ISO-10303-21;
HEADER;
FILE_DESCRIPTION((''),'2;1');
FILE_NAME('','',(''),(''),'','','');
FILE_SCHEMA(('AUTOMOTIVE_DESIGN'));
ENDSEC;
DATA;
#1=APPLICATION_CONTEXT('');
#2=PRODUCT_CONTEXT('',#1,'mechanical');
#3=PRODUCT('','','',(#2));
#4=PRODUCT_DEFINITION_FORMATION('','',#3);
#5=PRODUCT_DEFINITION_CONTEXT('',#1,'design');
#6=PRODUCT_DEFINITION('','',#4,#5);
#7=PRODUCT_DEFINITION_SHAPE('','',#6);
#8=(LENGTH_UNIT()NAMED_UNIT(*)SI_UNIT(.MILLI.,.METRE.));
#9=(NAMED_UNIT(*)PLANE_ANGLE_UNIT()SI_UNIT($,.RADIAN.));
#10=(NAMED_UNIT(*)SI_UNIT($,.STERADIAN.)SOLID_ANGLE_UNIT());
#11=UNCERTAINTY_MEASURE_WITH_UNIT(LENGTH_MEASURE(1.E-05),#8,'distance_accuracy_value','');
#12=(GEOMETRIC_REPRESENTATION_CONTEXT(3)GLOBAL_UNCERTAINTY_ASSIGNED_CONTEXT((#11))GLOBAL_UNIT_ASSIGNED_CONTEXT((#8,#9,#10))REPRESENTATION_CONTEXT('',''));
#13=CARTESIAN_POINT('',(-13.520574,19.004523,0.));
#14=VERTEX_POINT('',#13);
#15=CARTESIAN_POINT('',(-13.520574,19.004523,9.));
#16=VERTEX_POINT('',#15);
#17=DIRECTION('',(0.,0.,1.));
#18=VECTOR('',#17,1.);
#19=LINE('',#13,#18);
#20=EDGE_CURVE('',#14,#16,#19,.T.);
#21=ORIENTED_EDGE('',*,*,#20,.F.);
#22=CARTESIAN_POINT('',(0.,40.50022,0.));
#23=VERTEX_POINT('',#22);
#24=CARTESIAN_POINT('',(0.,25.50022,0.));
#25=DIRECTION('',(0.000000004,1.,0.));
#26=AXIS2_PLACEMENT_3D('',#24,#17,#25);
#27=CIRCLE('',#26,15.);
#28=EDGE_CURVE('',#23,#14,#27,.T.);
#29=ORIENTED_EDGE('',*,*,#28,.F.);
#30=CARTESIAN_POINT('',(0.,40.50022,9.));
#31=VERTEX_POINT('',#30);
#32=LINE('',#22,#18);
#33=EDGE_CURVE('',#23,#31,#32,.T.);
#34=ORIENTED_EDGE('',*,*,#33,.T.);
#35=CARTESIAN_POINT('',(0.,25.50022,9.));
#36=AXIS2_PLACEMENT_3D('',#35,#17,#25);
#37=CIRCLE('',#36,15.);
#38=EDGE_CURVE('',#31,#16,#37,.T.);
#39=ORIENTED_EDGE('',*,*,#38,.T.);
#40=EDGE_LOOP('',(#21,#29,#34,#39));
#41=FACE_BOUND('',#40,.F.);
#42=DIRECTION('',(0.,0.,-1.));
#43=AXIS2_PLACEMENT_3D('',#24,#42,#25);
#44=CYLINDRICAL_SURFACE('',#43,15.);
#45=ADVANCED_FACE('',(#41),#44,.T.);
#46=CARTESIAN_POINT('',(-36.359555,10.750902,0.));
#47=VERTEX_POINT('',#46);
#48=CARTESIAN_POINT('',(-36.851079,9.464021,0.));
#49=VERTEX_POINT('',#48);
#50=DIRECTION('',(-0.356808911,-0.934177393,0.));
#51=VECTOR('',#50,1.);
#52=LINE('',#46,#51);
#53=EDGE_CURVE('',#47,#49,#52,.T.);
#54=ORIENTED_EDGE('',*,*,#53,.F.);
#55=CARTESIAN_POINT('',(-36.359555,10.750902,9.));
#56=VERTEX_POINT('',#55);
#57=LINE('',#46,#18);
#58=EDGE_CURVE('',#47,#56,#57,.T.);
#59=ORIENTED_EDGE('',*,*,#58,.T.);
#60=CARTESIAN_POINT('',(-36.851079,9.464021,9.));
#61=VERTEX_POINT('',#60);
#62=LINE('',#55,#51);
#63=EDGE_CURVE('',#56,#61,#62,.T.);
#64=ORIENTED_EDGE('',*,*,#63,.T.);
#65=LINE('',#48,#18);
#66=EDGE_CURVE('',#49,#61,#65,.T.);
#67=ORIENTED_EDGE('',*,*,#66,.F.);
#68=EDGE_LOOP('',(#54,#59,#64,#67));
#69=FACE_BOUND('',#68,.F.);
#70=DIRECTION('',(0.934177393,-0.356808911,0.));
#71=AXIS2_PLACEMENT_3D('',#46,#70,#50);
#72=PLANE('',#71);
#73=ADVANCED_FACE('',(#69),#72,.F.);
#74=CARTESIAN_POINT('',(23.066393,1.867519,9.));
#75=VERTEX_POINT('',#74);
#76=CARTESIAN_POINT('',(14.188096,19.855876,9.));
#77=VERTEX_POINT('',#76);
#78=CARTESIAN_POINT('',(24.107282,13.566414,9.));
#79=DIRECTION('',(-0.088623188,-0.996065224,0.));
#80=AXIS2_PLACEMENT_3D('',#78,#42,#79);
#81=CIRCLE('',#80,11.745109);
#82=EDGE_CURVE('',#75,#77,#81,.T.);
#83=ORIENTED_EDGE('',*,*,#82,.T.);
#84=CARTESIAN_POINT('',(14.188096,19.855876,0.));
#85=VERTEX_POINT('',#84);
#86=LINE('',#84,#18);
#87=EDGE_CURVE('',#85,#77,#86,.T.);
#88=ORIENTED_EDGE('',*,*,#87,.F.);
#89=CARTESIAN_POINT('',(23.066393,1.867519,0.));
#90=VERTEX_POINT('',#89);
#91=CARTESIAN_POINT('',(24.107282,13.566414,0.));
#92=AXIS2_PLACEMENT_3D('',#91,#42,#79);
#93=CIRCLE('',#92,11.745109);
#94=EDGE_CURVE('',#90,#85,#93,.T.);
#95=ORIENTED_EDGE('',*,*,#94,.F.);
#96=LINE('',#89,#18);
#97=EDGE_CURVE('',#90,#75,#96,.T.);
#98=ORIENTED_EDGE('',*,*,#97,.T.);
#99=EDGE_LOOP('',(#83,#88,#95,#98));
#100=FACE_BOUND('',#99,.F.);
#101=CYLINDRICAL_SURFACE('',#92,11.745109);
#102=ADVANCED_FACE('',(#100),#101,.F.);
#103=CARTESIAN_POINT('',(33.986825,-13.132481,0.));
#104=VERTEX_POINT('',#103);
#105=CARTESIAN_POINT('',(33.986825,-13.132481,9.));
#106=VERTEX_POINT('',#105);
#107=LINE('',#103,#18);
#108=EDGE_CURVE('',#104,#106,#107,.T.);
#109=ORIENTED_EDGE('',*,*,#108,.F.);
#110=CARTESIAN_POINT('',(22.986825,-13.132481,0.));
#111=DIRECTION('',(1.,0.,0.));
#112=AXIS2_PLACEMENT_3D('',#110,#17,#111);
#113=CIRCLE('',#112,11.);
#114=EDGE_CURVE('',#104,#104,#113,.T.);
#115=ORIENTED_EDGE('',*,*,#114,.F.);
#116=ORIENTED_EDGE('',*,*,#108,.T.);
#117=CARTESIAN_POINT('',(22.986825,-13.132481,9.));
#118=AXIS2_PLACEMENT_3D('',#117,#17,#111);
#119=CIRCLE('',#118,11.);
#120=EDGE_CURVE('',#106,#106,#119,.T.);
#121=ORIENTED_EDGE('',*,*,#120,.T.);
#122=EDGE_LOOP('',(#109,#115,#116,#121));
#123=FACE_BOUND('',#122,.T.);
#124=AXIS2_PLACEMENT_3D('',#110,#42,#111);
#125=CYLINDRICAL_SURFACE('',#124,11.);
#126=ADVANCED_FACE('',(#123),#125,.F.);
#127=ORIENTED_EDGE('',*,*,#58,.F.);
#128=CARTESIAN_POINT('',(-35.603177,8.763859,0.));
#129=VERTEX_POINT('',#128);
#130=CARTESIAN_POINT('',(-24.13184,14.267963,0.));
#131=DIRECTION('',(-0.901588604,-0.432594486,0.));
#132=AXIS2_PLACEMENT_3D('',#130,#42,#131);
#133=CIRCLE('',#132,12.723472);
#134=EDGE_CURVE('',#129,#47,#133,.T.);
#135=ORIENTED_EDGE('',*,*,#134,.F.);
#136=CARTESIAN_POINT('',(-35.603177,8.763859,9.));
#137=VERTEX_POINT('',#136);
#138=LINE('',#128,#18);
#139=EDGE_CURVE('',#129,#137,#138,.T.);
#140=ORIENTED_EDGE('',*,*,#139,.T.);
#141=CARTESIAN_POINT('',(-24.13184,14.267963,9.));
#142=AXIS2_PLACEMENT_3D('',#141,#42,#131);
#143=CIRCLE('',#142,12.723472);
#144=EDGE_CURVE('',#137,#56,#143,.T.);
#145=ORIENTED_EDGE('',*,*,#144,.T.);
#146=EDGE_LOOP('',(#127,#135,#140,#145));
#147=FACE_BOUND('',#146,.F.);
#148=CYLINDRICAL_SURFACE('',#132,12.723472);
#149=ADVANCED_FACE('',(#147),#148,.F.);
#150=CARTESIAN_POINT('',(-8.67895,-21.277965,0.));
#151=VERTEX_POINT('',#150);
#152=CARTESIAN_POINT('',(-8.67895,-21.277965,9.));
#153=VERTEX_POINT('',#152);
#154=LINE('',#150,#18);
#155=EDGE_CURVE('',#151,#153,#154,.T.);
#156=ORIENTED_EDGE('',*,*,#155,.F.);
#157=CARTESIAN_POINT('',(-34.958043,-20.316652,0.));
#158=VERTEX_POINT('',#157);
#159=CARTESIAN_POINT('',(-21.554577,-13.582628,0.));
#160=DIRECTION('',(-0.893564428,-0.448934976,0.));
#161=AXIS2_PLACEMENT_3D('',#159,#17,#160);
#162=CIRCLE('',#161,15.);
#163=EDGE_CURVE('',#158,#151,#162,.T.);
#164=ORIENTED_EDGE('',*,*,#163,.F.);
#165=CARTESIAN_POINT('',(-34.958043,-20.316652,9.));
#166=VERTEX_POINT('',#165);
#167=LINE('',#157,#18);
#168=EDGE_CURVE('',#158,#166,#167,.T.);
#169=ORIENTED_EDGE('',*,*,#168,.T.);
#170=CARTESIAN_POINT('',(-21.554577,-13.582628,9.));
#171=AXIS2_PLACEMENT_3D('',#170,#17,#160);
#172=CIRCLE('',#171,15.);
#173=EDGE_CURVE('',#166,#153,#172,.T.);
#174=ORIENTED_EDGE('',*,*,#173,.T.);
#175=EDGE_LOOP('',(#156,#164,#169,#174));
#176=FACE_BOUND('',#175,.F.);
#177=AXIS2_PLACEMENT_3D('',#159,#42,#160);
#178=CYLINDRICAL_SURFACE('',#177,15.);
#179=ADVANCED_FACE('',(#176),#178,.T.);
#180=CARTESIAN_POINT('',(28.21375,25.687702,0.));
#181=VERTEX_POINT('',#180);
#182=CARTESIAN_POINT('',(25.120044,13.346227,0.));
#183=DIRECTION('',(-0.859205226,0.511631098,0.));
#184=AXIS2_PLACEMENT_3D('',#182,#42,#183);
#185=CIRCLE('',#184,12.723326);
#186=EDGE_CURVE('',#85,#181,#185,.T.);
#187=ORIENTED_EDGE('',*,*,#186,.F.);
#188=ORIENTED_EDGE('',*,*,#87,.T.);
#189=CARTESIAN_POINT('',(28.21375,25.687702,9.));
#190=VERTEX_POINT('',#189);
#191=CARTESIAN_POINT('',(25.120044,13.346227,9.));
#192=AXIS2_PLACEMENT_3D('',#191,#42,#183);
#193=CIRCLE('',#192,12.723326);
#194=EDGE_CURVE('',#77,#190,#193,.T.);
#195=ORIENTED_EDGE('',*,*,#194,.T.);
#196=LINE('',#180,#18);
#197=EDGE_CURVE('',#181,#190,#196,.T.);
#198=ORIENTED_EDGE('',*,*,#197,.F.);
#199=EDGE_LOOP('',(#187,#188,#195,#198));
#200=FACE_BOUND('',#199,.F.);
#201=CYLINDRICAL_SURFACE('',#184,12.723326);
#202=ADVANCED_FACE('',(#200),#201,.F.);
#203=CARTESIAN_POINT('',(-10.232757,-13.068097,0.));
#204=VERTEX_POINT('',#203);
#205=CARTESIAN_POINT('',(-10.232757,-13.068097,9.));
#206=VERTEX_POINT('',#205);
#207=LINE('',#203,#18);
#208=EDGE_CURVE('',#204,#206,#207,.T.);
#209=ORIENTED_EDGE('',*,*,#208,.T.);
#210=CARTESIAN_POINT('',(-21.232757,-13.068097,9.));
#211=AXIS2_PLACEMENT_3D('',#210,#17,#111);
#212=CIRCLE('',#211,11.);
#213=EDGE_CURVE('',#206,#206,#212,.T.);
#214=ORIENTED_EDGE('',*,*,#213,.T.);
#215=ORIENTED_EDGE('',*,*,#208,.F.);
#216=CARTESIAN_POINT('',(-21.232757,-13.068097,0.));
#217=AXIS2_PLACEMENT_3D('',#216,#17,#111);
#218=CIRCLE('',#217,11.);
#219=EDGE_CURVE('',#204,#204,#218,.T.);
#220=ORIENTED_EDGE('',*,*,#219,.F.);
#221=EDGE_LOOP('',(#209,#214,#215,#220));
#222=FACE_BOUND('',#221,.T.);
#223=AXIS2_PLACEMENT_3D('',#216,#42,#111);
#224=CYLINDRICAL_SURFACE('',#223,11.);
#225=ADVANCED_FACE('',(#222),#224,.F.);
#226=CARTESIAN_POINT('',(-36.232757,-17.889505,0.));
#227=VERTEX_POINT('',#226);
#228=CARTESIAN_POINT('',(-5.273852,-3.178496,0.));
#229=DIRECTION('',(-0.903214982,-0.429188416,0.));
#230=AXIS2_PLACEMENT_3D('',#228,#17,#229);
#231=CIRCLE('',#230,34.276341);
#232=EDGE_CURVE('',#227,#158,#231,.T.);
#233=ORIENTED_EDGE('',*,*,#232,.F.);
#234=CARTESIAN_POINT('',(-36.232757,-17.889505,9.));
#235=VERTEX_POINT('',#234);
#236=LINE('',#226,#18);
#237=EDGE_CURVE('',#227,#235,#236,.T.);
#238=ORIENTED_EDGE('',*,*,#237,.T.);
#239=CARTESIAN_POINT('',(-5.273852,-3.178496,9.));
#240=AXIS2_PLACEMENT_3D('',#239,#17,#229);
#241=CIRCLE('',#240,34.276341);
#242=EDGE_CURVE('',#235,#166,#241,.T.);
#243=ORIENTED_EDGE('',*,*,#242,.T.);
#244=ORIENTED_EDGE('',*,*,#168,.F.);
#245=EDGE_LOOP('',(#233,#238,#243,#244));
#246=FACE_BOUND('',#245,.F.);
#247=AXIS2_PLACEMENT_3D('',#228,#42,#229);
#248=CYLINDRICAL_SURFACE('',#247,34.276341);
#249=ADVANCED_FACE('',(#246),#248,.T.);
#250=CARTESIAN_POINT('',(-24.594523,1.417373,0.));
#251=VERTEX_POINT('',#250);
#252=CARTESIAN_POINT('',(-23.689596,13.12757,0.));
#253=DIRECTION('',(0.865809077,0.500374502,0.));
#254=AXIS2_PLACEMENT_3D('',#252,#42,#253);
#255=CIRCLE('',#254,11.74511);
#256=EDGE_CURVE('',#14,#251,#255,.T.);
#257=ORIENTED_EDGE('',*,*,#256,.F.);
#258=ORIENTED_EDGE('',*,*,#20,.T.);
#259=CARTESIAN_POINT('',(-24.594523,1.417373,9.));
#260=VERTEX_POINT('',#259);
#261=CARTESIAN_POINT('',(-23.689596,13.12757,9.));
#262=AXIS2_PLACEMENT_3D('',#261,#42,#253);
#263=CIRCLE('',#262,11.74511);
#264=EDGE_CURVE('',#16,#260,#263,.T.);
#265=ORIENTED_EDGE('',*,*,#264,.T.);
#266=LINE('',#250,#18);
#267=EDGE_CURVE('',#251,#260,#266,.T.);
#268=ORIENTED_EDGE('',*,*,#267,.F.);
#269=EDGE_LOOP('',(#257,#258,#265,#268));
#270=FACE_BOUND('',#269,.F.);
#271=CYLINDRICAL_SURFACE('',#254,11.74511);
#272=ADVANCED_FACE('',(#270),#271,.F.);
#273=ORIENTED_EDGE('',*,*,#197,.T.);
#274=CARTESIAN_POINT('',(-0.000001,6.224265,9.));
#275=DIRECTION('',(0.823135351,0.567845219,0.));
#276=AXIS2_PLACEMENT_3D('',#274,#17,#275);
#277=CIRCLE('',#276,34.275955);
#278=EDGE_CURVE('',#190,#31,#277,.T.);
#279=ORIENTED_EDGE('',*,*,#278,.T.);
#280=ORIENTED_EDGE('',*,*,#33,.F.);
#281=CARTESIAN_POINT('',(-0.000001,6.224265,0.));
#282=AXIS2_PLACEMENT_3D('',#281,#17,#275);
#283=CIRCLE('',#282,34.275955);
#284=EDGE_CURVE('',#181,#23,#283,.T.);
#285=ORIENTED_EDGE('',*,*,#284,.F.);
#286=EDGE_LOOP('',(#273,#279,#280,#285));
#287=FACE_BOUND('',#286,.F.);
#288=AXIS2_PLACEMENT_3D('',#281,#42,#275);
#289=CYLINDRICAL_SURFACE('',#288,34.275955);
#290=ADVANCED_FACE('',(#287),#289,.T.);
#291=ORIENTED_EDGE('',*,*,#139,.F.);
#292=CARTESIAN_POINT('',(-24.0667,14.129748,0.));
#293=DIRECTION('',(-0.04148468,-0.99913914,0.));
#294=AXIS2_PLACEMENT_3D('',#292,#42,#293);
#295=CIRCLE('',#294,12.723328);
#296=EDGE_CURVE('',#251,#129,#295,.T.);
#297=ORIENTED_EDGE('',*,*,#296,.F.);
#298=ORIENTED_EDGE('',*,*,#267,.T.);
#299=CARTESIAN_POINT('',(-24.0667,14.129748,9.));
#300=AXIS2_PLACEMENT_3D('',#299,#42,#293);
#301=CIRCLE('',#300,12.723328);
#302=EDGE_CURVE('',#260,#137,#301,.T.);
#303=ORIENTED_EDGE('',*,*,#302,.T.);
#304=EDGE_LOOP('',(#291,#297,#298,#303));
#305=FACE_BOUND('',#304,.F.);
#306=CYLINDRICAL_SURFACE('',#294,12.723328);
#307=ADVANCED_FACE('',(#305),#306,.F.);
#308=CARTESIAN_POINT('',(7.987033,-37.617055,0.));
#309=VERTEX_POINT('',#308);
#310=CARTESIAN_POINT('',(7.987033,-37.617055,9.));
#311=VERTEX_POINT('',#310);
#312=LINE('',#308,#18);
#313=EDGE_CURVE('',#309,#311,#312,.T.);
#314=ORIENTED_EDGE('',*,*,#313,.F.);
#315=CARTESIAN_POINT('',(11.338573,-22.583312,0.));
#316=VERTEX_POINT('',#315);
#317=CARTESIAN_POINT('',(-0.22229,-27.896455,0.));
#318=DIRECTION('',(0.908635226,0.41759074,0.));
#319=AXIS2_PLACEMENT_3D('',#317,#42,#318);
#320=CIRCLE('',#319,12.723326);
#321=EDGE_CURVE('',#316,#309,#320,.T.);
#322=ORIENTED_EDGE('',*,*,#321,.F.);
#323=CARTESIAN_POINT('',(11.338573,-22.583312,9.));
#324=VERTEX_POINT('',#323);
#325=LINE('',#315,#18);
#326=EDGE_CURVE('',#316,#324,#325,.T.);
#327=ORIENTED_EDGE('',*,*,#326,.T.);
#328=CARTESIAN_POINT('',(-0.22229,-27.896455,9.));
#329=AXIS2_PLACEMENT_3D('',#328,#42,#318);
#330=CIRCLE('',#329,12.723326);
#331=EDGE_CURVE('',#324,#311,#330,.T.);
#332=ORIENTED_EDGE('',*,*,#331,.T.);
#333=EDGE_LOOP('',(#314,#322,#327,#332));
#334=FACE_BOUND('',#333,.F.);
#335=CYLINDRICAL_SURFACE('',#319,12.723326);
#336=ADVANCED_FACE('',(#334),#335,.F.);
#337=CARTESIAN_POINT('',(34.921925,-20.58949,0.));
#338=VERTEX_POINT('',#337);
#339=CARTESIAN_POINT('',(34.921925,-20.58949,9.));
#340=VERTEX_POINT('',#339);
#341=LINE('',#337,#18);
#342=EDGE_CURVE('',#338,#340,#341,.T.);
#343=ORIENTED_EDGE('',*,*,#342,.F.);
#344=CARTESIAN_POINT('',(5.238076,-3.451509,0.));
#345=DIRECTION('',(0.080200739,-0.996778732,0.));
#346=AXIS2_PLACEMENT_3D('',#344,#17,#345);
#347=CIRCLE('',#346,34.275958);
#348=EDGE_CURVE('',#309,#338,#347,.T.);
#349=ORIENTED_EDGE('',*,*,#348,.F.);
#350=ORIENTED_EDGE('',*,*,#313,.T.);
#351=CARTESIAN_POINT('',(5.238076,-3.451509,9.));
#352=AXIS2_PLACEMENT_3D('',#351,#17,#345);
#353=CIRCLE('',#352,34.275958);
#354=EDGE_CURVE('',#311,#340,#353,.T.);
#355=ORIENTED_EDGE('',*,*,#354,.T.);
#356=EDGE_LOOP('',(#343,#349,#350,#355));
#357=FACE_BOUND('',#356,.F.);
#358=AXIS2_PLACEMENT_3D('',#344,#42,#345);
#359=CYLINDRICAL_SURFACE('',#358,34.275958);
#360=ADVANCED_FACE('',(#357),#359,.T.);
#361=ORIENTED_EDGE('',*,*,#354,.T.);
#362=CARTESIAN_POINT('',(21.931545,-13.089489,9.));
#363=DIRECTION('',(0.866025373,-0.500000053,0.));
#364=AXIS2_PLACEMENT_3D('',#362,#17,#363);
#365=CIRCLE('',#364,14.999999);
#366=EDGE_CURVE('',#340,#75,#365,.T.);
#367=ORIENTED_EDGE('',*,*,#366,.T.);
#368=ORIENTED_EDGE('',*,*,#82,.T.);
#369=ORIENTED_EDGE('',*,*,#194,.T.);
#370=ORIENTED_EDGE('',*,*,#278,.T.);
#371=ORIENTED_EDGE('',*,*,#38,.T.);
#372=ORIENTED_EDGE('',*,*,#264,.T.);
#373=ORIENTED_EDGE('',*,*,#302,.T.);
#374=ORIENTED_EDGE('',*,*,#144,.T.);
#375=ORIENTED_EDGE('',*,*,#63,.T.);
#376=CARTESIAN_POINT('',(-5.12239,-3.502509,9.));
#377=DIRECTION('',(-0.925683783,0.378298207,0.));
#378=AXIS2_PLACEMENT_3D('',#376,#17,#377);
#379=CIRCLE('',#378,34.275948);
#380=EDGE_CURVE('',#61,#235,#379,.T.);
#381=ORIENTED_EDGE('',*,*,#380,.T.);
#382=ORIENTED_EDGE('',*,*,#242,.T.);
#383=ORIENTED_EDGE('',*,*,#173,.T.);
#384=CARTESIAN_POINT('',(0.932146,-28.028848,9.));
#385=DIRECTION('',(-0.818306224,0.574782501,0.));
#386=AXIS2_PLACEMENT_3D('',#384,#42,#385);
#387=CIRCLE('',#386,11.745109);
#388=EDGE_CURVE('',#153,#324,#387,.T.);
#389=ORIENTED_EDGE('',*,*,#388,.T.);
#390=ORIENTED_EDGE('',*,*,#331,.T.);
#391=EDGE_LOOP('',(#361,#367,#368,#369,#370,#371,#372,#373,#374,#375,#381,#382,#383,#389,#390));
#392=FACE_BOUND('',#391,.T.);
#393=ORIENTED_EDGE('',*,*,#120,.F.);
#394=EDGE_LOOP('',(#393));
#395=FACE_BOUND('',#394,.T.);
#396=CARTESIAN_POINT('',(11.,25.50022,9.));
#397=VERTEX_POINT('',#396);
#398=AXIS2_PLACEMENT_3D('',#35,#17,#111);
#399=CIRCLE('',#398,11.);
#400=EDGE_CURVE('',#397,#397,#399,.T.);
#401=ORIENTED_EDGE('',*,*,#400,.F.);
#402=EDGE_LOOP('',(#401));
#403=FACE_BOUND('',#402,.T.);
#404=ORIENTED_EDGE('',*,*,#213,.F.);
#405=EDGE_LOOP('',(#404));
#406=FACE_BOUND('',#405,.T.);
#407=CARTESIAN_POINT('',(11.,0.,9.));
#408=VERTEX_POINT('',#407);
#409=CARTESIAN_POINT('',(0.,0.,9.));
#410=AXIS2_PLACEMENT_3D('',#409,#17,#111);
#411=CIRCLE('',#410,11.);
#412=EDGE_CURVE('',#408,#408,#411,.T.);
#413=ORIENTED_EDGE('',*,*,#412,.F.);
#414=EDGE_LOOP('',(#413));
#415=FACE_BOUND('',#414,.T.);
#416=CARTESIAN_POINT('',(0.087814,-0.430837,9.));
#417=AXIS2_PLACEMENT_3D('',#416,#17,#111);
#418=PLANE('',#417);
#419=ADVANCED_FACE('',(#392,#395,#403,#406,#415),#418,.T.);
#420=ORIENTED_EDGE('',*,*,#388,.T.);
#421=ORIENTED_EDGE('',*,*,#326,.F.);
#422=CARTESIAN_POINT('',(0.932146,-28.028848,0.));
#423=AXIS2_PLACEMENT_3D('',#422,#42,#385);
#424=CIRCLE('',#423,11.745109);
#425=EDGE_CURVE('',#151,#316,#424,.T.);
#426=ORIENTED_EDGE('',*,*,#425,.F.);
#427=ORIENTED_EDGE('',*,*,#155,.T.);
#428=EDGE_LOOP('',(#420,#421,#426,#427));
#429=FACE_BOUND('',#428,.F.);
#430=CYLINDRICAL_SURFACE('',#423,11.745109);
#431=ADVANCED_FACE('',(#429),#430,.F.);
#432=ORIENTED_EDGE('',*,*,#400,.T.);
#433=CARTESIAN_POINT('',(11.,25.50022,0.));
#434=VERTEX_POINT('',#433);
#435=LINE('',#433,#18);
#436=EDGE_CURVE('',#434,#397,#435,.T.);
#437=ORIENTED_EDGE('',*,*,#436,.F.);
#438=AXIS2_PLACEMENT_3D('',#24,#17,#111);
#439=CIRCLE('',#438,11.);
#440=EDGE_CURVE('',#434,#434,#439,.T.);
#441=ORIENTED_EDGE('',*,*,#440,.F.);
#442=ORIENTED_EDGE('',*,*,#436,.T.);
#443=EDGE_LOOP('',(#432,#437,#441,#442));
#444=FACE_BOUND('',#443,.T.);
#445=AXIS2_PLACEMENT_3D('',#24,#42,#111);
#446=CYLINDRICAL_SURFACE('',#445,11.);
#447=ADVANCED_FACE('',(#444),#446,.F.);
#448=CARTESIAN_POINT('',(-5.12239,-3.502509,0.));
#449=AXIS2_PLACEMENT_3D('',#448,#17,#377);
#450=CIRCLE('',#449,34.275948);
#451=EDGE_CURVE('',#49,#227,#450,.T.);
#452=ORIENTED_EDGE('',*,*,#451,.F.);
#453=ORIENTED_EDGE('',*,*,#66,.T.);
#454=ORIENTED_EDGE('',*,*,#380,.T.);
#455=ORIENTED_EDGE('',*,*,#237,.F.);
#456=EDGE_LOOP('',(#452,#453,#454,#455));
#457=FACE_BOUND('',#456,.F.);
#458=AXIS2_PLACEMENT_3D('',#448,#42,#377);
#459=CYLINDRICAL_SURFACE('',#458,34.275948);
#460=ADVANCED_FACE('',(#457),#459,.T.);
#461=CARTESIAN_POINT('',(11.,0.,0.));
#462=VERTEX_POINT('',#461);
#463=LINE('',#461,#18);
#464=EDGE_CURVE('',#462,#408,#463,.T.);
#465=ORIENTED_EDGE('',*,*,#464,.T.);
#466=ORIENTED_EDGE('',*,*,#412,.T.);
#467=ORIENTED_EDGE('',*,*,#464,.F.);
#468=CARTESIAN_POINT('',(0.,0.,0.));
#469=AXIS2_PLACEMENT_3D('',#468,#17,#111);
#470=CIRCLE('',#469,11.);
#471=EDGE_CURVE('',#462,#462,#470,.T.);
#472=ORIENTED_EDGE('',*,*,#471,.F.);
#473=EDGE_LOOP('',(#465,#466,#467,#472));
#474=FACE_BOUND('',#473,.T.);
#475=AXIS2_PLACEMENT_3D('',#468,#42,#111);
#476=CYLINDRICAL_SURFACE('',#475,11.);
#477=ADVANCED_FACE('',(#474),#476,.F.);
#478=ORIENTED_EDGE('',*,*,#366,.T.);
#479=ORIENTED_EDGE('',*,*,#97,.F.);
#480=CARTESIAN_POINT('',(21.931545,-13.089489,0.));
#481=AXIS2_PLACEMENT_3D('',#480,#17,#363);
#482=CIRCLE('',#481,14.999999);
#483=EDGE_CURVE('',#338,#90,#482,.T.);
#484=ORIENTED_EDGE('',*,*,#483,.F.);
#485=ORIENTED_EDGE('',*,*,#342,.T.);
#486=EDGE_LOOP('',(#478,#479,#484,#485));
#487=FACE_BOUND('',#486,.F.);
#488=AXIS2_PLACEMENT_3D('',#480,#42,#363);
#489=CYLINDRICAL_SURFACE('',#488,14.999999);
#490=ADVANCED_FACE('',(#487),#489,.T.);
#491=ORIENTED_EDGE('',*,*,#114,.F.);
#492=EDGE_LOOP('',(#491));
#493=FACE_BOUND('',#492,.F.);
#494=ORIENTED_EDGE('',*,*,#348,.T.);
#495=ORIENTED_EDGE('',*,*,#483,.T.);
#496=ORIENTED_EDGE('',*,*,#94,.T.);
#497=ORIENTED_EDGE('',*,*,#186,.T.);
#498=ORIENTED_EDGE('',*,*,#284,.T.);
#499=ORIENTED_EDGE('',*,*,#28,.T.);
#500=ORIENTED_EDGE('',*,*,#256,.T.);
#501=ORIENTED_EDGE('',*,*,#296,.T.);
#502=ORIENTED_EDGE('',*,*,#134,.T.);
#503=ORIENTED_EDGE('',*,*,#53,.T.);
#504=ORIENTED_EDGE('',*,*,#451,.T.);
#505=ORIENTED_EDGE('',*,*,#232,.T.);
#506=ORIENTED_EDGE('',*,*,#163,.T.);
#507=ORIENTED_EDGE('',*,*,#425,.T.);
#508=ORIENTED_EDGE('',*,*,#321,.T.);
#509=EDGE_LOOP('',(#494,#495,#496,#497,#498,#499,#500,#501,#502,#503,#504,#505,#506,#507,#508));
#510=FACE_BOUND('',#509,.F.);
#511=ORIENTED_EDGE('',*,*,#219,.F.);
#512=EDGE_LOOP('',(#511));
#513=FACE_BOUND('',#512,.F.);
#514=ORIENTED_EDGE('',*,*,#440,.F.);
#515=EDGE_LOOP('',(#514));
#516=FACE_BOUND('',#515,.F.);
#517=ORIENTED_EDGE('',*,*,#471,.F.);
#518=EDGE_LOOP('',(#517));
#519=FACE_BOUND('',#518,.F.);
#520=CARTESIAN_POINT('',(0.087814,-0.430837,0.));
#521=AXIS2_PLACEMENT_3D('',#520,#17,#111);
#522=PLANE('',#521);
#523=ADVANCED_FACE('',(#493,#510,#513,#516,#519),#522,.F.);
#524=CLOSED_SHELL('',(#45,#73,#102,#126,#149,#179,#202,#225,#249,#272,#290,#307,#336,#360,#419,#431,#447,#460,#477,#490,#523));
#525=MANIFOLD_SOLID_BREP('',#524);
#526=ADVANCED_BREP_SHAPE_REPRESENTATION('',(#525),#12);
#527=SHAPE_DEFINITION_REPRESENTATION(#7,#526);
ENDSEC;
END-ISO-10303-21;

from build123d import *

# Parameters (mm, degrees)
F0_R     = 11
F1_DEPTH = 9


with BuildPart() as f1:
    # F0 (on Top) → F1 (new body)
    with BuildSketch(Plane.XY):
        with BuildLine():
            ThreePointArc((-36.851079, 9.464021), (-39.389584, -4.277113), (-36.232757, -17.889505))
            ThreePointArc((-36.232757, -17.889505), (-35.619676, -19.115828), (-34.958043, -20.316652))
            ThreePointArc((-34.958043, -20.316652), (-22.102923, -28.572601), (-8.67895, -21.277965))
            ThreePointArc((-8.67895, -21.277965), (1.696424, -16.308632), (11.338573, -22.583312))
            ThreePointArc((11.338573, -22.583312), (12.196181, -30.664961), (7.987033, -37.617055))
            ThreePointArc((7.987033, -37.617055), (23.55354, -32.423652), (34.921925, -20.58949))
            ThreePointArc((34.921925, -20.58949), (35.19653, -6.086622), (23.066393, 1.867519))
            ThreePointArc((23.066393, 1.867519), (13.575138, 8.36819), (14.188096, 19.855876))
            ThreePointArc((14.188096, 19.855876), (20.235163, 25.094459), (28.21375, 25.687702))
            ThreePointArc((28.21375, 25.687702), (15.932878, 36.571991), (0, 40.50022))
            ThreePointArc((0, 40.50022), (-12.697154, 33.486601), (-13.520574, 19.004523))
            ThreePointArc((-13.520574, 19.004523), (-13.750641, 6.869394), (-24.594523, 1.417373))
            ThreePointArc((-24.594523, 1.417373), (-31.129245, 3.546576), (-35.603177, 8.763859))
            ThreePointArc((-35.603177, 8.763859), (-36.022944, 9.741554), (-36.359555, 10.750902))
            Line((-36.359555, 10.750902), (-36.851079, 9.464021))
        make_face()
        with Locations((-21.232757, -13.068097)):
            Circle(F0_R, mode=Mode.SUBTRACT)
        Circle(F0_R, mode=Mode.SUBTRACT)
        with Locations((22.986825, -13.132481)):
            Circle(F0_R, mode=Mode.SUBTRACT)
        with Locations((0, 25.50022)):
            Circle(F0_R, mode=Mode.SUBTRACT)
    extrude(amount=F1_DEPTH)


solid = f1.part
